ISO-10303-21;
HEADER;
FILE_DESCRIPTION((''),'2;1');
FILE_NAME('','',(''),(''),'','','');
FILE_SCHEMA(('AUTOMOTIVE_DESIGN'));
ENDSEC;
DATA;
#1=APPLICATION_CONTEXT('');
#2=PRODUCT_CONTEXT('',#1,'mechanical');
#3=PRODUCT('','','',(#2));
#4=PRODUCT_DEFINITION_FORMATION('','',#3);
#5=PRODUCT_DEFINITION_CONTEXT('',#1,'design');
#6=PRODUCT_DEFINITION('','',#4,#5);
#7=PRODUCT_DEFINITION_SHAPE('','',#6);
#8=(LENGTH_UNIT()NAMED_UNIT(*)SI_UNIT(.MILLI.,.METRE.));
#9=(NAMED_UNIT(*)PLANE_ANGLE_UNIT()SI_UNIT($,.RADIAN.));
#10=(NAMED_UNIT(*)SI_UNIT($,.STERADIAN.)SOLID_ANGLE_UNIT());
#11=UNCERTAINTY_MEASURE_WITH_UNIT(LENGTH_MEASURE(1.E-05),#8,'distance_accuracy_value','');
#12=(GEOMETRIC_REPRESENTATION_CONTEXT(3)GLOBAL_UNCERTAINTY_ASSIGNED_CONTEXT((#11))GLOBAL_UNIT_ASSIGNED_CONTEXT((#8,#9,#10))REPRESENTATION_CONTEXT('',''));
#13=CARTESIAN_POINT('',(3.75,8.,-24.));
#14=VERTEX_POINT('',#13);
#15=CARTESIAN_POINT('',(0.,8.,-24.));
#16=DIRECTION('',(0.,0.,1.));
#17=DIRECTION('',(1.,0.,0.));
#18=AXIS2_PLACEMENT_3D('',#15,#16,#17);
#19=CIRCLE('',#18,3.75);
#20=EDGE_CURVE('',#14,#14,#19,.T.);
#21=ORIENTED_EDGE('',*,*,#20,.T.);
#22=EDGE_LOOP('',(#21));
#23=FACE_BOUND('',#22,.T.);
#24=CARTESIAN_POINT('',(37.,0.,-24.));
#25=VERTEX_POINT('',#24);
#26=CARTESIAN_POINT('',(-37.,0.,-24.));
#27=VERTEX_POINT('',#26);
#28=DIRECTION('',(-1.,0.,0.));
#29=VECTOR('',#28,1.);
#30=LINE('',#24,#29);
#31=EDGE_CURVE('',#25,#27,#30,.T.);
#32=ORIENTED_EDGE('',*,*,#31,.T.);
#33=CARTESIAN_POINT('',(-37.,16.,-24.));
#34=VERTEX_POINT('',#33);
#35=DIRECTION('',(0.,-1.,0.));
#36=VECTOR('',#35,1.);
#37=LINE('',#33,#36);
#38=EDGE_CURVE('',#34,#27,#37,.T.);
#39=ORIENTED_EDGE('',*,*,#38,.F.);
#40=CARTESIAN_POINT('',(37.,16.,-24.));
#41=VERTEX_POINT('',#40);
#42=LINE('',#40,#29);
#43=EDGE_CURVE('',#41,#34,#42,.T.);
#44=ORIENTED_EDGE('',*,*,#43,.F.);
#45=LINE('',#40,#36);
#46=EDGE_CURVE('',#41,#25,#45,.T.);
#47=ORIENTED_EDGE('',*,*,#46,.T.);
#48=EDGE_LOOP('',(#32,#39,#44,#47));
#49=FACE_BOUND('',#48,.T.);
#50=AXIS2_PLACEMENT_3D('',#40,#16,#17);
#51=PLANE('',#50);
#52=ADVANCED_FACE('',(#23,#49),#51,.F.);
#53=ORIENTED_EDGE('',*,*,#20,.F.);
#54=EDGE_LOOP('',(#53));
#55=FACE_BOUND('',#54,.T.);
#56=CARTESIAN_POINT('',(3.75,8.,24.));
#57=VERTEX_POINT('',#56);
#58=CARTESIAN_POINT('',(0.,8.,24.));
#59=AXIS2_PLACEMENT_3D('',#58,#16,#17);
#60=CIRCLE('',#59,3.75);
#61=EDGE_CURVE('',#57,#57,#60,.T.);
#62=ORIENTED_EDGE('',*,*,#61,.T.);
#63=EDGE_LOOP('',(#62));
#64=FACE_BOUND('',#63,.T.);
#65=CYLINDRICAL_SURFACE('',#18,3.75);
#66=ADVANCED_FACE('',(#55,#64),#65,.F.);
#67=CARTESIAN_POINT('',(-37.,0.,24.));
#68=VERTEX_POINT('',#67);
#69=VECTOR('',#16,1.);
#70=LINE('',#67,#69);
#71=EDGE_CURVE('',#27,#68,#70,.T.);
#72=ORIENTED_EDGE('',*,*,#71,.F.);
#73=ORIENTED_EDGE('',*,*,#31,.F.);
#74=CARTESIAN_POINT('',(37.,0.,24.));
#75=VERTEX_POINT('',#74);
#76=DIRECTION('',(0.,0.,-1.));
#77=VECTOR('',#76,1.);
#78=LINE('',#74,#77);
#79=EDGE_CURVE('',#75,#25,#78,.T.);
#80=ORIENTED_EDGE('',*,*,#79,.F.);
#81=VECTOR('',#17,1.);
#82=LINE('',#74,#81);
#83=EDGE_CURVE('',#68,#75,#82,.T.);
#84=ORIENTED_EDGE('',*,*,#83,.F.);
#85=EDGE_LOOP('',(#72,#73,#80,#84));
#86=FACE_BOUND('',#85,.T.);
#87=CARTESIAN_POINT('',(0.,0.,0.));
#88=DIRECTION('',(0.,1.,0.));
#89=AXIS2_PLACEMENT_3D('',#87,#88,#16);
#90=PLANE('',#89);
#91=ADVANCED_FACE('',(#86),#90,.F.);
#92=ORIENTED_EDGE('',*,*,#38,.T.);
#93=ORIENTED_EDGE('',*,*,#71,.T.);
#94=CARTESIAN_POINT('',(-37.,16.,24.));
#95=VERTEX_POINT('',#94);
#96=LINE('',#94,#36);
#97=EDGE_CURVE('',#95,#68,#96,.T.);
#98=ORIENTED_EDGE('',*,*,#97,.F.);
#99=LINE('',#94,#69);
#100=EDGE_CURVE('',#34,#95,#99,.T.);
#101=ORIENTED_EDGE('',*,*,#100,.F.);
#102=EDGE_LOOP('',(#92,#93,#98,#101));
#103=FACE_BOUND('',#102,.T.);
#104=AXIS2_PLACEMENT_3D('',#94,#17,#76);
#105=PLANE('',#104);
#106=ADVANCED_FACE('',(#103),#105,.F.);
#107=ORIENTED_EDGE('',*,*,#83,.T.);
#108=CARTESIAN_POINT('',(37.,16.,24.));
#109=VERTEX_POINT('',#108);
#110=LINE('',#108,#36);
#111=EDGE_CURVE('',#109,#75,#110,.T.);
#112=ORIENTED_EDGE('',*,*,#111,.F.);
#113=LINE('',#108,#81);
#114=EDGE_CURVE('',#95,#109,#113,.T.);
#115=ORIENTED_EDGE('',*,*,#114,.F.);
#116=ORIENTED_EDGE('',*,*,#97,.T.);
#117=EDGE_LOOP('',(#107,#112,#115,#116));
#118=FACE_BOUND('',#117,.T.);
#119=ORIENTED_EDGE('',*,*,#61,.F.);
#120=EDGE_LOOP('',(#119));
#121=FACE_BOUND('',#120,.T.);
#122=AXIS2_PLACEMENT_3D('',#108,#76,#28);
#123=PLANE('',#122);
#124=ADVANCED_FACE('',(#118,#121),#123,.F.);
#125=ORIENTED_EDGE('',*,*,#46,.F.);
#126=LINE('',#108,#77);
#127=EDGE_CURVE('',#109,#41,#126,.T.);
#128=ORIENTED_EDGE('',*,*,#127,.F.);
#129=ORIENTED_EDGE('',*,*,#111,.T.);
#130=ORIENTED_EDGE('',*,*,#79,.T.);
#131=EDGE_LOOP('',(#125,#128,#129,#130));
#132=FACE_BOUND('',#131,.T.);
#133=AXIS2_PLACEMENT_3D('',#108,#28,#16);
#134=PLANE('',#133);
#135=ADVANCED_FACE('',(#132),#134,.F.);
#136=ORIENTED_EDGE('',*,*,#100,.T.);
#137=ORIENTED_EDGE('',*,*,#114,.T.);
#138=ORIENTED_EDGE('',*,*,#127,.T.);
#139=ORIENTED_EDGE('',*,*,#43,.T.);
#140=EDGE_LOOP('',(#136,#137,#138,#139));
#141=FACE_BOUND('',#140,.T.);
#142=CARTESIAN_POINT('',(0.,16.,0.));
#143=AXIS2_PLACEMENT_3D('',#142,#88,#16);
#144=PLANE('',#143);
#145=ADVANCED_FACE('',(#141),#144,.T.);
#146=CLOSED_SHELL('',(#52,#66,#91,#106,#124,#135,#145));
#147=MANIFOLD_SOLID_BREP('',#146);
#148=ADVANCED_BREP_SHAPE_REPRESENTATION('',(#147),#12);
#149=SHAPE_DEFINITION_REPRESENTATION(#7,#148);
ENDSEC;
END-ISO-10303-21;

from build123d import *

# Parameters (mm, degrees)
SKETCH2_W           = 74
SKETCH2_H           = 48
BOSS_EXTRUDE1_DEPTH = 16
SKETCH3_R           = 3.75
CUT_EXTRUDE1_DEPTH  = 63.681735777


with BuildPart() as part:
    # Sketch2 → Boss-Extrude1 (new body)
    with BuildSketch(Plane(origin=(0, 0, 0), x_dir=(1, 0, 0), z_dir=(0, 1, 0))):
        Rectangle(SKETCH2_W, SKETCH2_H)
    extrude(amount=BOSS_EXTRUDE1_DEPTH)

    # Sketch3 → Cut-Extrude1 (cut, through all)
    with BuildSketch(Plane.XY.offset(24)):
        with Locations((0, 8)):
            Circle(SKETCH3_R)
    extrude(amount=-CUT_EXTRUDE1_DEPTH, mode=Mode.SUBTRACT)


solid = part.part
